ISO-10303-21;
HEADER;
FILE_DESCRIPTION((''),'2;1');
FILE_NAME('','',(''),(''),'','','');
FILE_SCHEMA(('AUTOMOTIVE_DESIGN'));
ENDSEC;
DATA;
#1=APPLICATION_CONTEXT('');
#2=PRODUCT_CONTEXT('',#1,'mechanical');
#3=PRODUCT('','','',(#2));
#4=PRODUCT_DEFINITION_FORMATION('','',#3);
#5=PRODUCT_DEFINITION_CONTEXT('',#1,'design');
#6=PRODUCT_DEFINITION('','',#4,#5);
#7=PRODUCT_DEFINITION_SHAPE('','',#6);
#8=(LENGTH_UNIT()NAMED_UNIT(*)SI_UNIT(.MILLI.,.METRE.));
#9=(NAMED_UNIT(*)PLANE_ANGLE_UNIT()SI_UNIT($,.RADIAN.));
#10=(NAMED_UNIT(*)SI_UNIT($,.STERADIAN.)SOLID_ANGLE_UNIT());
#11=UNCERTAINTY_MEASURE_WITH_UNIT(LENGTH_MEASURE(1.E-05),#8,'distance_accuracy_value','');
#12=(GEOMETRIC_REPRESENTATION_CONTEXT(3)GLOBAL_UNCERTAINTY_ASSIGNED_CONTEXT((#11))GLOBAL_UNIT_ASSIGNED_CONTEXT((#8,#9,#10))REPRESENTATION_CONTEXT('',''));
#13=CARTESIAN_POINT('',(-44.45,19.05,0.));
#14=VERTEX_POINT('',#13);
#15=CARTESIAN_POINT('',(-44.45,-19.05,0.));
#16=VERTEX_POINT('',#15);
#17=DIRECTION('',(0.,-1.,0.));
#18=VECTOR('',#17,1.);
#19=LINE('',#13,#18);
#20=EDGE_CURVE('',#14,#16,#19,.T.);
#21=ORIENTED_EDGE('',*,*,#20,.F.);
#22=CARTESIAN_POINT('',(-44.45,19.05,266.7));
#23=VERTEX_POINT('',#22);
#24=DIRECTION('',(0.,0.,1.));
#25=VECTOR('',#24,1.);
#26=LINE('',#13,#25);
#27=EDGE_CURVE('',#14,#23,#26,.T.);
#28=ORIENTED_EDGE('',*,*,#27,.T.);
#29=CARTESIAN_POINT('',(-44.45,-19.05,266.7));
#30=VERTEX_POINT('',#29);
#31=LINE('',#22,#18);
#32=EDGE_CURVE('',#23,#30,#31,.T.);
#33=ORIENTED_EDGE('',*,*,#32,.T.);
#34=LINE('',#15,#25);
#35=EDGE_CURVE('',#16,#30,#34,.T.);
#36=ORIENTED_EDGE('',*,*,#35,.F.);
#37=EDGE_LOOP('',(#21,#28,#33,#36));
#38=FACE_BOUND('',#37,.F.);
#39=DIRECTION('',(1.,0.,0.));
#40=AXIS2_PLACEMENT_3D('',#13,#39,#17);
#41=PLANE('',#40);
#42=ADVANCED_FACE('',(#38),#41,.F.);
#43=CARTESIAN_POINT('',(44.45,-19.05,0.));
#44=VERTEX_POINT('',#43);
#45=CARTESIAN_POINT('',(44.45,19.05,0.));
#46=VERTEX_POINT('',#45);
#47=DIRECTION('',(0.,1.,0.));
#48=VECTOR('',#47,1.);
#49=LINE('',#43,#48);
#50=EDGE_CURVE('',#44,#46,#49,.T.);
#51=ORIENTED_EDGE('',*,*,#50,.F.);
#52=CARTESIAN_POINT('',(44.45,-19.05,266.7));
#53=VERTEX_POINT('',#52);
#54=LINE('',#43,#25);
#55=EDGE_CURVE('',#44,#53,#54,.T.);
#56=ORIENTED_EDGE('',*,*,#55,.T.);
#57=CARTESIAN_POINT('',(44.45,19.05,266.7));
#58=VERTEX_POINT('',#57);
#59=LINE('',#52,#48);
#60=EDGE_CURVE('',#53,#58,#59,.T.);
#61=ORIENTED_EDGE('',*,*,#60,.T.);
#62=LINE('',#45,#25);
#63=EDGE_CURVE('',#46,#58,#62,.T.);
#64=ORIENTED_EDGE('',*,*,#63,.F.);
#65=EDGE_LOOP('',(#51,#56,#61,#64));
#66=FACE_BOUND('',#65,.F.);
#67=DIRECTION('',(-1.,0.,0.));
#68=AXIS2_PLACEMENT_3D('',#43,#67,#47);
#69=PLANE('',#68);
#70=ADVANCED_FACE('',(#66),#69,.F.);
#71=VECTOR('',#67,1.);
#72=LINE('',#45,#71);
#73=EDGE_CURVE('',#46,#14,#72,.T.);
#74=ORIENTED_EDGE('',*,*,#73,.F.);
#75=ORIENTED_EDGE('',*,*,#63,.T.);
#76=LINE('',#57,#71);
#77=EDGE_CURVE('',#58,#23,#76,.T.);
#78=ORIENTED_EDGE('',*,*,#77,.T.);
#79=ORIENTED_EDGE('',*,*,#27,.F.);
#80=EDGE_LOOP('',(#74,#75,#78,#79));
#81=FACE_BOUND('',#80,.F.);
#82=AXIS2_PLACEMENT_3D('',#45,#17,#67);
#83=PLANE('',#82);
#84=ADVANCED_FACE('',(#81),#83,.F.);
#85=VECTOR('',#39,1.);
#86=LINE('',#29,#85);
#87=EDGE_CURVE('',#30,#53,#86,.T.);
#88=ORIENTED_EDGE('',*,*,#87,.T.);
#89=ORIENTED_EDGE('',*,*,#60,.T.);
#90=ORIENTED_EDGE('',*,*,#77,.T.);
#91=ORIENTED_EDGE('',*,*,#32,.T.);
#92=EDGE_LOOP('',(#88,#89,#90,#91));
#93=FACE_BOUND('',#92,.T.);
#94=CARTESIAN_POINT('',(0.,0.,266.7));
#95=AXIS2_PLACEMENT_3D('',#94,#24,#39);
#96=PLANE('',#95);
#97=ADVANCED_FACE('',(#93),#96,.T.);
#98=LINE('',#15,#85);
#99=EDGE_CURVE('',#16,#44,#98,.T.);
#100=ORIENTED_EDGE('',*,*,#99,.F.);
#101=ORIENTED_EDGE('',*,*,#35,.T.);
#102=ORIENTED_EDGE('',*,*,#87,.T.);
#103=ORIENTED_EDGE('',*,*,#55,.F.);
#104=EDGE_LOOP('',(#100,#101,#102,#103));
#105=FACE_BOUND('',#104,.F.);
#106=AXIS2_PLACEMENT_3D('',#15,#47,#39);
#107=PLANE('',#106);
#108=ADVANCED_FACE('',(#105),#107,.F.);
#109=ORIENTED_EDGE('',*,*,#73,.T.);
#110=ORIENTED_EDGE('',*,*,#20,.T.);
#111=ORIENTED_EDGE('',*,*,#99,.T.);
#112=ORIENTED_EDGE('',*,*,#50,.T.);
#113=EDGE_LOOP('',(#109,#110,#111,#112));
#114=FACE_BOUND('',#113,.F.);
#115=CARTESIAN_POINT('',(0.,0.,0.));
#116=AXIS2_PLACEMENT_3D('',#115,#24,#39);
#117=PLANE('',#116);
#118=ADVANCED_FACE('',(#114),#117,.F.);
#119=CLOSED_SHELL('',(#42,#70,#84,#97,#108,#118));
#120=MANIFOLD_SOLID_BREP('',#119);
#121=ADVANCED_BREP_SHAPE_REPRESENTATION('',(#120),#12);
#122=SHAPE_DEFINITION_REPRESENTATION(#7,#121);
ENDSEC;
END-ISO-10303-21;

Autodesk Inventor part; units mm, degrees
ref_plane "YZ Plane" through (0, 0, 0) normal (1, 0, 0) x (0, 1, 0)
ref_plane "XZ Plane" through (0, 0, 0) normal (0, 1, 0) x (-1, 0, 0)
ref_plane "XY Plane" through (0, 0, 0) normal (0, 0, 1) x (1, 0, 0)
sketch "Sketch1" plane through (0, 0, 0) normal (0, 0, 1) x (1, 0, 0)
  line L0 (-44.45, -19.05) -> (44.45, -19.05)
  line L1 (44.45, -19.05) -> (44.45, 19.05)
  line L2 (44.45, 19.05) -> (-44.45, 19.05)
  line L3 (-44.45, 19.05) -> (-44.45, -19.05)
  line L4 (-44.45, -19.05) -> (44.45, 19.05) construction
  line L5 (44.45, -19.05) -> (-44.45, 19.05) construction
  point P0 (0, 0)
  dimension "d0" = 88.9
  dimension "d1" = 38.1
extrude "Extrusion1" add sketch "Sketch1" along normal blind 266.7
properties part number "2x4x10.5"
